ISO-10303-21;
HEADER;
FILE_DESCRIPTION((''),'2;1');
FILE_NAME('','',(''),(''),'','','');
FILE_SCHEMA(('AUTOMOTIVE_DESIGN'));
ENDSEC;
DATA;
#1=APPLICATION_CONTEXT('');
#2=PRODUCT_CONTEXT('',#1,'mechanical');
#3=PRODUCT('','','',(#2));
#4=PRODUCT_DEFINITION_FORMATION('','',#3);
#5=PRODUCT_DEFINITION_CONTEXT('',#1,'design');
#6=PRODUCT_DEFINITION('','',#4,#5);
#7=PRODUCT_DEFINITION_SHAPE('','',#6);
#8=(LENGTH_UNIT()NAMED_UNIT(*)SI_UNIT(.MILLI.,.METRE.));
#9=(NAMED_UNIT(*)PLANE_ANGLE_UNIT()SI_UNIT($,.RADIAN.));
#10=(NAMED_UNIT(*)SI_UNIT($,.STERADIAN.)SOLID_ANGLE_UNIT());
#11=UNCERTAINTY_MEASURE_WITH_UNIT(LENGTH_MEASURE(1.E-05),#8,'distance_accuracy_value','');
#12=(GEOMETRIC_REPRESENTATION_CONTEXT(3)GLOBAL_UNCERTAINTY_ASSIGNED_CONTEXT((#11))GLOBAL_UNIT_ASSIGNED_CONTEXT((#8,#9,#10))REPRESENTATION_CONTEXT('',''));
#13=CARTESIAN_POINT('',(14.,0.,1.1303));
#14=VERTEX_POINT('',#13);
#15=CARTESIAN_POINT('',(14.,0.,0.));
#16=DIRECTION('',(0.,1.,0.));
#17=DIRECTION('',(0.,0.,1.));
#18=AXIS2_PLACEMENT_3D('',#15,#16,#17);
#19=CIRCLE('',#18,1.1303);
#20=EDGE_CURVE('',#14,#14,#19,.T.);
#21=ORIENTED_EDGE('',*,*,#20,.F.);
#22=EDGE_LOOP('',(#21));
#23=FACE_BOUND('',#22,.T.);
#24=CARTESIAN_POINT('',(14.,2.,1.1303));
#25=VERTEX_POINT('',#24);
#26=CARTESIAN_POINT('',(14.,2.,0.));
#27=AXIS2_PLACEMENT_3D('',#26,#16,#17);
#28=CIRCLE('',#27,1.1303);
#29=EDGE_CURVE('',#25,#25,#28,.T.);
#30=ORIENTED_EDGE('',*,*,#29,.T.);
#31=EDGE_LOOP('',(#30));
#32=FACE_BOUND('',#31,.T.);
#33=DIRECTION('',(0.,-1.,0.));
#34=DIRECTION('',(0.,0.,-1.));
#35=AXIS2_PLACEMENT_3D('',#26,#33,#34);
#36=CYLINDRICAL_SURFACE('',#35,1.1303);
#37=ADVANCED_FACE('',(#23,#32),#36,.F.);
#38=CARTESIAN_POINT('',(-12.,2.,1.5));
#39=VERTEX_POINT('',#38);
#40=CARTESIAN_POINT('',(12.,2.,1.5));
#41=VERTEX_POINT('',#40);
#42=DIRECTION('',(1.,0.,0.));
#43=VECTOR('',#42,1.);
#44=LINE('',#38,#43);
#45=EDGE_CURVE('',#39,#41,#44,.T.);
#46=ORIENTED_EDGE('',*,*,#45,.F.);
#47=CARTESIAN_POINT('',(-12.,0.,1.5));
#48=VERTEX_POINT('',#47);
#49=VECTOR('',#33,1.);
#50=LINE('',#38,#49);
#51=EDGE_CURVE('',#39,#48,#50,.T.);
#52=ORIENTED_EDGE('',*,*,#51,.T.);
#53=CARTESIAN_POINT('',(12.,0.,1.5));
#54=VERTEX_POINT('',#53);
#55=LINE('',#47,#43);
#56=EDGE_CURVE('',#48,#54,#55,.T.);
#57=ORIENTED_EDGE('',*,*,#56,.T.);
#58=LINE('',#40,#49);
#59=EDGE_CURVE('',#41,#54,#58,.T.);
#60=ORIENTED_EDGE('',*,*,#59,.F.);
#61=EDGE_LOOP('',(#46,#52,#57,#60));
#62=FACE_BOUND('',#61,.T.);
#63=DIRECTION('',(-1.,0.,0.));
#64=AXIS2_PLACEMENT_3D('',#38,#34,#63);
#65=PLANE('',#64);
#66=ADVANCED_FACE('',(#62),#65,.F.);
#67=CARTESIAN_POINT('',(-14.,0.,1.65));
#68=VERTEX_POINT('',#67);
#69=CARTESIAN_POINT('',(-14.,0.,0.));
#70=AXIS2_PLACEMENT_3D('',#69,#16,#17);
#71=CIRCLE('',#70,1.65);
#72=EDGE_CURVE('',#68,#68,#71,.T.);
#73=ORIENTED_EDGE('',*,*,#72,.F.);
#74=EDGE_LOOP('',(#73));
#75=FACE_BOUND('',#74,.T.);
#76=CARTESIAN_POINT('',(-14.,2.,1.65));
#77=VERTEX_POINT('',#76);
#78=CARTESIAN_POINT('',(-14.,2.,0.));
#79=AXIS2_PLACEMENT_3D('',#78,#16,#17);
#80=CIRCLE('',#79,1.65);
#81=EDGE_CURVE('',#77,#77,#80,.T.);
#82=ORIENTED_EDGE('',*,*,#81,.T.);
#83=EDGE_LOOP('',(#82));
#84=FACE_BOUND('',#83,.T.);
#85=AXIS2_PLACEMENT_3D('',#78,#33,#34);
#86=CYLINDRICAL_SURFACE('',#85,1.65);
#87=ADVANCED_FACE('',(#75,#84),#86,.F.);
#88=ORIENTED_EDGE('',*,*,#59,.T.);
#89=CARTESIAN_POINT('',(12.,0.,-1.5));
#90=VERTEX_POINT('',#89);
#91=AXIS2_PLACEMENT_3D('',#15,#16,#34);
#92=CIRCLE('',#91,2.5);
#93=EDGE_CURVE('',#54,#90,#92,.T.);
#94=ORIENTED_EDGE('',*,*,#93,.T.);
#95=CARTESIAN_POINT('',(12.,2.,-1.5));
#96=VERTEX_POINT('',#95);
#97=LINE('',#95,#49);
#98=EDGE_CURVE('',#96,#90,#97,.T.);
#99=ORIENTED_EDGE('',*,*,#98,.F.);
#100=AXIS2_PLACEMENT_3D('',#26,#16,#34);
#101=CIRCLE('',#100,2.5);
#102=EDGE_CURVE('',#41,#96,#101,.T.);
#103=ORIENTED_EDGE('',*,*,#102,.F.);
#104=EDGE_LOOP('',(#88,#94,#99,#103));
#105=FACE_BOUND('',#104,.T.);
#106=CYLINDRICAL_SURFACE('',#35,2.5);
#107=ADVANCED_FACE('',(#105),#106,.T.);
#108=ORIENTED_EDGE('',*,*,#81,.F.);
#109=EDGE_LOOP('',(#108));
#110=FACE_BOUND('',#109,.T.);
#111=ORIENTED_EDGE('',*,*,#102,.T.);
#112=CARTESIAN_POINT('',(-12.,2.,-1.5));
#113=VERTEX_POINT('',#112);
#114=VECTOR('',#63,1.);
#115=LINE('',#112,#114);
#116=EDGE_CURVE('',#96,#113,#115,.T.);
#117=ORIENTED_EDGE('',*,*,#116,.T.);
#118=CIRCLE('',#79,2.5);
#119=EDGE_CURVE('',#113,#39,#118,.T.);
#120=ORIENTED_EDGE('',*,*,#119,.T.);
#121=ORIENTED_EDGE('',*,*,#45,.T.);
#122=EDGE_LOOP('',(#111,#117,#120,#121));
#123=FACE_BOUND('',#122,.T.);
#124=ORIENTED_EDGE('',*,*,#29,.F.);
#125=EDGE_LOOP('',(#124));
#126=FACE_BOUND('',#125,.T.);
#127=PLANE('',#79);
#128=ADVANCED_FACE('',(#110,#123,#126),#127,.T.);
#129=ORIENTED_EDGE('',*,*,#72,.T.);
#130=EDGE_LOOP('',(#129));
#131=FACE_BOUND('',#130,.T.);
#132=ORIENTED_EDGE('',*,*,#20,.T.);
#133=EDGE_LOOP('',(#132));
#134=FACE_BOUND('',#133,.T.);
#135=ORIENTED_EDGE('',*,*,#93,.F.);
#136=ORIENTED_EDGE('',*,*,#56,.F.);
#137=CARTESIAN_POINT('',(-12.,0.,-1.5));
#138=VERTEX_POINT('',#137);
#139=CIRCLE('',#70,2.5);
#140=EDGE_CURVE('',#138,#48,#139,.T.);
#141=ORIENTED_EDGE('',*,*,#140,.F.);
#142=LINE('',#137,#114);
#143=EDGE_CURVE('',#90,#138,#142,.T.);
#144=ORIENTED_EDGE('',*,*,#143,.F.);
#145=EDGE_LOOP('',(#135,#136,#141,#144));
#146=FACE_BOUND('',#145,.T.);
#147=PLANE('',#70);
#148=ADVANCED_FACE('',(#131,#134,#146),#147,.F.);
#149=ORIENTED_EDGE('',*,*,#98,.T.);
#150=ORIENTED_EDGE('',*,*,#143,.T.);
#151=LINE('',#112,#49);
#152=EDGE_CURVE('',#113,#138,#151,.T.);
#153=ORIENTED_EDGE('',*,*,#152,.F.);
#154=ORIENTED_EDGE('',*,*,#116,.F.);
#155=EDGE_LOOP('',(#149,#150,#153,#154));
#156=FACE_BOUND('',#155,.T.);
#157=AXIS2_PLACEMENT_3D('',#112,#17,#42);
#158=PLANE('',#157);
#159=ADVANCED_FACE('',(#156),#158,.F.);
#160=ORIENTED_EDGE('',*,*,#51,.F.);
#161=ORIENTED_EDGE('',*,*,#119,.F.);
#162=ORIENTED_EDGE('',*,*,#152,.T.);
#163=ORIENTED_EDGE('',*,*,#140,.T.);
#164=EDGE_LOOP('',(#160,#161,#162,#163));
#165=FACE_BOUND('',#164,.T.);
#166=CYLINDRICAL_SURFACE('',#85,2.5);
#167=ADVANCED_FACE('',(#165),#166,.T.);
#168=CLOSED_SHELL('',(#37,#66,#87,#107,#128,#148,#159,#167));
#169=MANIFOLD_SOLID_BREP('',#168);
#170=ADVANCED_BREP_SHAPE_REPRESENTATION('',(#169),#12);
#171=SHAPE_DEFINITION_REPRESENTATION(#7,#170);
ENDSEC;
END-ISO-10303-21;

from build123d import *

# Parameters (mm, degrees)
SKETCH1_R           = 1.65
SKETCH1_R_2         = 1.1303
BOSS_EXTRUDE1_DEPTH = 2


with BuildPart() as part:
    # Sketch1 → Boss-Extrude1 (new body)
    with BuildSketch(Plane(origin=(0, 0, 0), x_dir=(1, 0, 0), z_dir=(0, 1, 0))):
        with BuildLine():
            Line((-12, 1.5), (12, 1.5))
            ThreePointArc((12, 1.5), (16.5, 0), (12, -1.5))
            Line((12, -1.5), (-12, -1.5))
            ThreePointArc((-12, -1.5), (-16.5, 0), (-12, 1.5))
        make_face()
        with Locations(Location((-14, 0, 0), (0, 0, 270))):
            Circle(SKETCH1_R, mode=Mode.SUBTRACT)
        with Locations(Location((14, 0, 0), (0, 0, 270))):
            Circle(SKETCH1_R_2, mode=Mode.SUBTRACT)
    extrude(amount=BOSS_EXTRUDE1_DEPTH)


solid = part.part
